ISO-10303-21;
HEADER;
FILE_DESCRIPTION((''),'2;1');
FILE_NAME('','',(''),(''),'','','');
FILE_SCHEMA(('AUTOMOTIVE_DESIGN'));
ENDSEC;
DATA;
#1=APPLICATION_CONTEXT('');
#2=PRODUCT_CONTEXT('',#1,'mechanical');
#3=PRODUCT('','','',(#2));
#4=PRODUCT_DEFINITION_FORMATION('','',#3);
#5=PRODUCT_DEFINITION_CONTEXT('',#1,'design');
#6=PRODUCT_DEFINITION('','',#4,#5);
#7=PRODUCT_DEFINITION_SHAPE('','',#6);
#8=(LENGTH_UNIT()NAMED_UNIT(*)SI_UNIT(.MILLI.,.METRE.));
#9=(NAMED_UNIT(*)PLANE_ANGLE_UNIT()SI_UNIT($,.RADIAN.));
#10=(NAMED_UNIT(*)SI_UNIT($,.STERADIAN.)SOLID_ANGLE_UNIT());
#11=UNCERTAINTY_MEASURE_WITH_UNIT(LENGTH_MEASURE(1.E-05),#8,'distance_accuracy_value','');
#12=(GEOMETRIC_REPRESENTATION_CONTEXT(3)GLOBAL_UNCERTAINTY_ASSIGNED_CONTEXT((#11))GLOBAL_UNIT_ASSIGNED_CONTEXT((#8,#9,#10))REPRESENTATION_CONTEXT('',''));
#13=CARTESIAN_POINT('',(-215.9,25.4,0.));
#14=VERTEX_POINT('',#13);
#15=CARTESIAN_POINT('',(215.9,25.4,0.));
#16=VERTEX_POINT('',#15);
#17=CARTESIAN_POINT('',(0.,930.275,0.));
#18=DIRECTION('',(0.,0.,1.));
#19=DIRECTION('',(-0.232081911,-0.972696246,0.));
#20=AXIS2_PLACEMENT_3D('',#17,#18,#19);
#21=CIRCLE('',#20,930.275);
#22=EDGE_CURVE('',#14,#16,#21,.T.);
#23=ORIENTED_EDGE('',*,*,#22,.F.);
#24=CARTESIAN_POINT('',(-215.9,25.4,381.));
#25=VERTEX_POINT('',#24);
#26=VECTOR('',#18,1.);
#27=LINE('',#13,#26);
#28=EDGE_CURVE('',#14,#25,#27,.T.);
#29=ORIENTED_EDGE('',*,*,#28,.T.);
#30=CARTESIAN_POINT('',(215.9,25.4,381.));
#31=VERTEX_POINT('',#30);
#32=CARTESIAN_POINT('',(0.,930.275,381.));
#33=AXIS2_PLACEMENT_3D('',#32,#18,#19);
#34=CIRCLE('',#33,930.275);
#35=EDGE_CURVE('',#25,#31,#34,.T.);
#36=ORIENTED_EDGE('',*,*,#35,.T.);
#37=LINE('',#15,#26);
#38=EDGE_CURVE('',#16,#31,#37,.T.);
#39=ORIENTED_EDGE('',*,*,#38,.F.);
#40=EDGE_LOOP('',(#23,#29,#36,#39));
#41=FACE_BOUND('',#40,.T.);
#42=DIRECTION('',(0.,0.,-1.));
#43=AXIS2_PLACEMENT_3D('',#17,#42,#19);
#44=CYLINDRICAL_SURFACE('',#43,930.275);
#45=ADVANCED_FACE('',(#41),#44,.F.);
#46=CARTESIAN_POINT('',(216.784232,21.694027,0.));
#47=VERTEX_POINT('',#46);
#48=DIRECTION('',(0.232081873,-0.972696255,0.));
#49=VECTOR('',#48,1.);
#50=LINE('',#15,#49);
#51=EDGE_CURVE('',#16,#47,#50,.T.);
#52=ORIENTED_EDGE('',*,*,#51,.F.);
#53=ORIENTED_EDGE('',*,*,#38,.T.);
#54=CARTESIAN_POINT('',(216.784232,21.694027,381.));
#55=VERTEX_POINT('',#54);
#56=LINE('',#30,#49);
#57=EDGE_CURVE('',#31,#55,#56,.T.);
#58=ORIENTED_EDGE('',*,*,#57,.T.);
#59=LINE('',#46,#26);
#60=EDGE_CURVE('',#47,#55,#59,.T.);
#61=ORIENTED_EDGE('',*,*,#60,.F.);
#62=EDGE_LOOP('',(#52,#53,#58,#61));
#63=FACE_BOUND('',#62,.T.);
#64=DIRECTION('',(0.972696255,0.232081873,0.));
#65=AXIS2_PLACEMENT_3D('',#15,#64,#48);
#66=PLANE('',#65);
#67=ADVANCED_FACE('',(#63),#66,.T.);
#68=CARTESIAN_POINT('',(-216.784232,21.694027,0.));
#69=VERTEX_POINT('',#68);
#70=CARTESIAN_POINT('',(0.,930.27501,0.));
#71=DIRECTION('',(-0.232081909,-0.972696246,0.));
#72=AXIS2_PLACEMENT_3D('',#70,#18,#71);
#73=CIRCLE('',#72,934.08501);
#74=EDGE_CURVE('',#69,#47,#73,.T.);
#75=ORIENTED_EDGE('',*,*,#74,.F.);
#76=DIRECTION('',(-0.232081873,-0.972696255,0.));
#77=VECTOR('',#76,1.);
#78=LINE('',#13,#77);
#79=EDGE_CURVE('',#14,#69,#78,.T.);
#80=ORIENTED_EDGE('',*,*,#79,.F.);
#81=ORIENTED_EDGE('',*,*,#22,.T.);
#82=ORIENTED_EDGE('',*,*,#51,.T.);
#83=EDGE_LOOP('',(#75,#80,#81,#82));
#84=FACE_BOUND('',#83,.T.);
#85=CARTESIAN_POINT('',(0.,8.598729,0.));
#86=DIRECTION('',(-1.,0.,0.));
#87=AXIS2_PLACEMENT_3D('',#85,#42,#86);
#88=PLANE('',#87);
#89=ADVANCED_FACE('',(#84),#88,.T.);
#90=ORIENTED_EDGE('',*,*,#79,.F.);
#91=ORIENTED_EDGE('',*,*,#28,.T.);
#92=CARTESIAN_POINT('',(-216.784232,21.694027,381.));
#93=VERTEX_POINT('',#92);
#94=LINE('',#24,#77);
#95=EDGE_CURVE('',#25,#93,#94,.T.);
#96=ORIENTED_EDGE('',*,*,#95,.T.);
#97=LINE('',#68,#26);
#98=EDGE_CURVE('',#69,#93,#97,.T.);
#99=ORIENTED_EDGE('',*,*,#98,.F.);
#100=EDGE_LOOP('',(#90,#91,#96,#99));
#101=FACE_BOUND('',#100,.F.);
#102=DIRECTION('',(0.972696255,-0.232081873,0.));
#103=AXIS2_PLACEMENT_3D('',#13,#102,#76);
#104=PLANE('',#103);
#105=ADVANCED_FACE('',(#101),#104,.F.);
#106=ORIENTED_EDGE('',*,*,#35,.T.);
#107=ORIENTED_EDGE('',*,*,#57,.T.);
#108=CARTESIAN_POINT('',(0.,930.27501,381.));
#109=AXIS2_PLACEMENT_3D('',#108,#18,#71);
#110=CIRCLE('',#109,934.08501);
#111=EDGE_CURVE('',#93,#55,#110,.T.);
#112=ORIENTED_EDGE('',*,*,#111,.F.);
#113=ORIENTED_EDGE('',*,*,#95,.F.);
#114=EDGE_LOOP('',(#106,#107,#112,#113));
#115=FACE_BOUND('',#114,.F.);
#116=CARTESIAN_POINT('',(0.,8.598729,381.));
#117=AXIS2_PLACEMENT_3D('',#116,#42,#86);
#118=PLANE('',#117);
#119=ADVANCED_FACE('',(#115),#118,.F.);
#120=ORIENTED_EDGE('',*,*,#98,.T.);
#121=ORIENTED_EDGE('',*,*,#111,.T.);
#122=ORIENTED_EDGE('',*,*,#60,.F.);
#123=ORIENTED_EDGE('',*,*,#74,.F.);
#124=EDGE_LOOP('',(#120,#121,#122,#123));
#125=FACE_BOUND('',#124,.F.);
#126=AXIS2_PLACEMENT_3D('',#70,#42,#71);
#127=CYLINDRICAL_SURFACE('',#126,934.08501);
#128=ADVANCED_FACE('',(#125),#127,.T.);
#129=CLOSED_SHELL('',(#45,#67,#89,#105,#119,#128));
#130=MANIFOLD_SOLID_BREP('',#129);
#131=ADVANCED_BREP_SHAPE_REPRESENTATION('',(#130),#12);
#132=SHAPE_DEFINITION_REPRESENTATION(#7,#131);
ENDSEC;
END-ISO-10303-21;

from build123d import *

# Parameters (mm, degrees)
PAD_DEPTH = 381


with BuildPart() as part:
    # Sketch → Pad (new body)
    with BuildSketch(Plane.XY):
        with BuildLine():
            ThreePointArc((-215.9, 25.4), (0, 0), (215.9, 25.4))
            Line((215.9, 25.4), (216.784232, 21.694027))
            ThreePointArc((-216.784232, 21.694027), (0, -3.81), (216.784232, 21.694027))
            Line((-215.9, 25.4), (-216.784232, 21.694027))
        make_face()
    extrude(amount=PAD_DEPTH)


solid = part.part
